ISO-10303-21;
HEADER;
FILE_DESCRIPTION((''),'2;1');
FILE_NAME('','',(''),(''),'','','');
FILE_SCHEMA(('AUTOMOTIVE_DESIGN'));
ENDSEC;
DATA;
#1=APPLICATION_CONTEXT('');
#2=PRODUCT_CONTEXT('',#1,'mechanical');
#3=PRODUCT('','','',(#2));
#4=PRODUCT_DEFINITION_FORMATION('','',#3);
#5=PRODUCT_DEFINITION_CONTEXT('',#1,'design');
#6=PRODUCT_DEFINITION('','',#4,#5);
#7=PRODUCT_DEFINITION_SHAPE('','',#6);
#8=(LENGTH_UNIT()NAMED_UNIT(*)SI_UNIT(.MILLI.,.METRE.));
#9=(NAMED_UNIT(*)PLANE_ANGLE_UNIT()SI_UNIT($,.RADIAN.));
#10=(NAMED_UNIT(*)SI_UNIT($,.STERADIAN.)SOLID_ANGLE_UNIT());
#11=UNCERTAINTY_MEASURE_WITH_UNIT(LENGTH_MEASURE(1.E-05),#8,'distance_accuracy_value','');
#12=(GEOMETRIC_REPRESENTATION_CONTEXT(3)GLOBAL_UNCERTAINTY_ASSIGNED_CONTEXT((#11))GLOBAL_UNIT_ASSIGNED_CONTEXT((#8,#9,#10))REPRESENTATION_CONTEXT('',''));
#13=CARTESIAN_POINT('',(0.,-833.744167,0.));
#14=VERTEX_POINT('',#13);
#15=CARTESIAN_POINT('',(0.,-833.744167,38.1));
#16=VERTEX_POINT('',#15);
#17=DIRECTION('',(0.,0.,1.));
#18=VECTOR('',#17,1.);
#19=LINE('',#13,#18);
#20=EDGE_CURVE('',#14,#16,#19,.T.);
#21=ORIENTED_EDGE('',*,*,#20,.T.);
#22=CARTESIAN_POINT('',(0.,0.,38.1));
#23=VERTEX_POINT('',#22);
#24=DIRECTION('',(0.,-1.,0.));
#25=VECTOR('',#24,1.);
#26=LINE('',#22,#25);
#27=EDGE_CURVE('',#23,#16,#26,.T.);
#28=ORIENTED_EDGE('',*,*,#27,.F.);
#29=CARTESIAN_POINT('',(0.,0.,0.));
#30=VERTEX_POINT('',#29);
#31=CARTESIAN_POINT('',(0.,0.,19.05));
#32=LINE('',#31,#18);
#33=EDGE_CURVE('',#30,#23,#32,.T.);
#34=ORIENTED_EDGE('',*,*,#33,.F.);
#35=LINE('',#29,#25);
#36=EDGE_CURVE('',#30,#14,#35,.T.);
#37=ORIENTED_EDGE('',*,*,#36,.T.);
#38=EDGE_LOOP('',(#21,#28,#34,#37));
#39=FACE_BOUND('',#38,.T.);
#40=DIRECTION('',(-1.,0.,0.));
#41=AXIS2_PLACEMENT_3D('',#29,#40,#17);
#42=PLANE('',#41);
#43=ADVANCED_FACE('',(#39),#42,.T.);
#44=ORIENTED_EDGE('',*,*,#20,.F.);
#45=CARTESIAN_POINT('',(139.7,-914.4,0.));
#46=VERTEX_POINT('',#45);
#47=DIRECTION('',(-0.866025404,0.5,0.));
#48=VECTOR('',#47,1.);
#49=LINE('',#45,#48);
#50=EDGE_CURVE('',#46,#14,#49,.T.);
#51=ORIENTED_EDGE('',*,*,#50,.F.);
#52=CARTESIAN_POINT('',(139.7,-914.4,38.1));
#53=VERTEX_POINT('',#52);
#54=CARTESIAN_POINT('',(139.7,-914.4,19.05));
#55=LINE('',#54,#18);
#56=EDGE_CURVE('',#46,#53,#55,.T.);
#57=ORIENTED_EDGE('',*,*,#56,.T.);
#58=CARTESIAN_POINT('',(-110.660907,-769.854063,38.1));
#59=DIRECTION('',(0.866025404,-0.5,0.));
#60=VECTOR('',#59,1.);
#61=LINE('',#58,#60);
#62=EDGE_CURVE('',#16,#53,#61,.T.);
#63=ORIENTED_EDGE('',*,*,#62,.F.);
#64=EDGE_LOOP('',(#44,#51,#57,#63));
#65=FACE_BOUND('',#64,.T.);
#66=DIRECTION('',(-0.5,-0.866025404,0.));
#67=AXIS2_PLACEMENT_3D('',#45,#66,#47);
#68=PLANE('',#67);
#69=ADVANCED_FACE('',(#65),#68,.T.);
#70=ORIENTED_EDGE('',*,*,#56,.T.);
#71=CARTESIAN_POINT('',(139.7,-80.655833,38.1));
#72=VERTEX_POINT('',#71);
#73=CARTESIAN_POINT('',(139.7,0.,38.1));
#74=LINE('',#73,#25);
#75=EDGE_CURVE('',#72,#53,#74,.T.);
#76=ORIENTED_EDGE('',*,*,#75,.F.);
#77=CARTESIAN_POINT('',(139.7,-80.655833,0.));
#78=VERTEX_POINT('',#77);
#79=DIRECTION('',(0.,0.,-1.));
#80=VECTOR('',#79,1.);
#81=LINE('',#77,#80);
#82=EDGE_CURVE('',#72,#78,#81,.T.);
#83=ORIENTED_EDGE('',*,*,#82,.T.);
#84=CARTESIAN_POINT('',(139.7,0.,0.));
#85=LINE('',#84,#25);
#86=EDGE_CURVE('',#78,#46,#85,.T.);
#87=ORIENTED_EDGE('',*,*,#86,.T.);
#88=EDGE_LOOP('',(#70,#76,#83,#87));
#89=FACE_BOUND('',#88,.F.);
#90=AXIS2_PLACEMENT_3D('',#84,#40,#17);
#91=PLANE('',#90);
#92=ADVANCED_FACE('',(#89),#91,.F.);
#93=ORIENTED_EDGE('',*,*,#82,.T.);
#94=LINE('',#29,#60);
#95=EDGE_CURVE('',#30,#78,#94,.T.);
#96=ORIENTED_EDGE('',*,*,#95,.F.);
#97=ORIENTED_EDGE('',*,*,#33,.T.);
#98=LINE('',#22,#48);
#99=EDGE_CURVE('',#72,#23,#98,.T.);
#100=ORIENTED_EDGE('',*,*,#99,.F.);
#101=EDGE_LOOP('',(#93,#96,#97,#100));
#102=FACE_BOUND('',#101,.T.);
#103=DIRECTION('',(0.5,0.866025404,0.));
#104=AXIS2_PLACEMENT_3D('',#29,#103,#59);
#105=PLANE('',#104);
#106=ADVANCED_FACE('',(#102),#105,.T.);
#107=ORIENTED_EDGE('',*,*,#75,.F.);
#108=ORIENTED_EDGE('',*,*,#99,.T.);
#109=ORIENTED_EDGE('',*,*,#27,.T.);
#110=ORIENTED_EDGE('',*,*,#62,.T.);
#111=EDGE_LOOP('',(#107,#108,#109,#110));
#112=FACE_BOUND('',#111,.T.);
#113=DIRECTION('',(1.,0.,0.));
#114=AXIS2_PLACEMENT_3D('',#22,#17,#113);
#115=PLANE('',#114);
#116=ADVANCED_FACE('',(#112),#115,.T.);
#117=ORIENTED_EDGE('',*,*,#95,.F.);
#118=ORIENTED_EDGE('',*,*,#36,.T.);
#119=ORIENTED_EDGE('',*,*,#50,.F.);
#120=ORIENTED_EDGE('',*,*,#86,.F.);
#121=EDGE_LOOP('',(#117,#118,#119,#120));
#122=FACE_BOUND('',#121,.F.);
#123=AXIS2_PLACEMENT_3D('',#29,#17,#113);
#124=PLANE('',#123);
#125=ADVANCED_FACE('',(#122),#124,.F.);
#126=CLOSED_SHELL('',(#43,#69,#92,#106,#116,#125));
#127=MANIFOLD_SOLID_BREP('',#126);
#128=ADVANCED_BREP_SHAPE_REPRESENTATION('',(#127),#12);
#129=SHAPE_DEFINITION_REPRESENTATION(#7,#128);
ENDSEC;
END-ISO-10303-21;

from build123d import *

# Parameters (mm, degrees)
F0_W     = 139.7
F0_H     = 38.1
F1_DEPTH = 914.4
F3_DEPTH = 50.8
F5_DEPTH = 50.8


with BuildPart() as f1:
    # F0 (on Front) → F1 (new body)
    with BuildSketch(Plane.XZ):
        with Locations((69.85, 19.05)):
            Rectangle(F0_W, F0_H)
    extrude(amount=F1_DEPTH)

    # F2 (on Top) → F3 (cut)
    with BuildSketch(Plane.XY):
        Polygon((152.4, 0), (0, 0), (152.4, -87.988181), align=None)
    extrude(amount=F3_DEPTH, mode=Mode.SUBTRACT)

    # F4 (on Top) → F5 (cut)
    with BuildSketch(Plane.XY):
        Polygon((139.7, -914.4), (-12.7, -826.411819), (-12.7, -914.4), align=None)
    extrude(amount=F5_DEPTH, mode=Mode.SUBTRACT)


solid = f1.part
